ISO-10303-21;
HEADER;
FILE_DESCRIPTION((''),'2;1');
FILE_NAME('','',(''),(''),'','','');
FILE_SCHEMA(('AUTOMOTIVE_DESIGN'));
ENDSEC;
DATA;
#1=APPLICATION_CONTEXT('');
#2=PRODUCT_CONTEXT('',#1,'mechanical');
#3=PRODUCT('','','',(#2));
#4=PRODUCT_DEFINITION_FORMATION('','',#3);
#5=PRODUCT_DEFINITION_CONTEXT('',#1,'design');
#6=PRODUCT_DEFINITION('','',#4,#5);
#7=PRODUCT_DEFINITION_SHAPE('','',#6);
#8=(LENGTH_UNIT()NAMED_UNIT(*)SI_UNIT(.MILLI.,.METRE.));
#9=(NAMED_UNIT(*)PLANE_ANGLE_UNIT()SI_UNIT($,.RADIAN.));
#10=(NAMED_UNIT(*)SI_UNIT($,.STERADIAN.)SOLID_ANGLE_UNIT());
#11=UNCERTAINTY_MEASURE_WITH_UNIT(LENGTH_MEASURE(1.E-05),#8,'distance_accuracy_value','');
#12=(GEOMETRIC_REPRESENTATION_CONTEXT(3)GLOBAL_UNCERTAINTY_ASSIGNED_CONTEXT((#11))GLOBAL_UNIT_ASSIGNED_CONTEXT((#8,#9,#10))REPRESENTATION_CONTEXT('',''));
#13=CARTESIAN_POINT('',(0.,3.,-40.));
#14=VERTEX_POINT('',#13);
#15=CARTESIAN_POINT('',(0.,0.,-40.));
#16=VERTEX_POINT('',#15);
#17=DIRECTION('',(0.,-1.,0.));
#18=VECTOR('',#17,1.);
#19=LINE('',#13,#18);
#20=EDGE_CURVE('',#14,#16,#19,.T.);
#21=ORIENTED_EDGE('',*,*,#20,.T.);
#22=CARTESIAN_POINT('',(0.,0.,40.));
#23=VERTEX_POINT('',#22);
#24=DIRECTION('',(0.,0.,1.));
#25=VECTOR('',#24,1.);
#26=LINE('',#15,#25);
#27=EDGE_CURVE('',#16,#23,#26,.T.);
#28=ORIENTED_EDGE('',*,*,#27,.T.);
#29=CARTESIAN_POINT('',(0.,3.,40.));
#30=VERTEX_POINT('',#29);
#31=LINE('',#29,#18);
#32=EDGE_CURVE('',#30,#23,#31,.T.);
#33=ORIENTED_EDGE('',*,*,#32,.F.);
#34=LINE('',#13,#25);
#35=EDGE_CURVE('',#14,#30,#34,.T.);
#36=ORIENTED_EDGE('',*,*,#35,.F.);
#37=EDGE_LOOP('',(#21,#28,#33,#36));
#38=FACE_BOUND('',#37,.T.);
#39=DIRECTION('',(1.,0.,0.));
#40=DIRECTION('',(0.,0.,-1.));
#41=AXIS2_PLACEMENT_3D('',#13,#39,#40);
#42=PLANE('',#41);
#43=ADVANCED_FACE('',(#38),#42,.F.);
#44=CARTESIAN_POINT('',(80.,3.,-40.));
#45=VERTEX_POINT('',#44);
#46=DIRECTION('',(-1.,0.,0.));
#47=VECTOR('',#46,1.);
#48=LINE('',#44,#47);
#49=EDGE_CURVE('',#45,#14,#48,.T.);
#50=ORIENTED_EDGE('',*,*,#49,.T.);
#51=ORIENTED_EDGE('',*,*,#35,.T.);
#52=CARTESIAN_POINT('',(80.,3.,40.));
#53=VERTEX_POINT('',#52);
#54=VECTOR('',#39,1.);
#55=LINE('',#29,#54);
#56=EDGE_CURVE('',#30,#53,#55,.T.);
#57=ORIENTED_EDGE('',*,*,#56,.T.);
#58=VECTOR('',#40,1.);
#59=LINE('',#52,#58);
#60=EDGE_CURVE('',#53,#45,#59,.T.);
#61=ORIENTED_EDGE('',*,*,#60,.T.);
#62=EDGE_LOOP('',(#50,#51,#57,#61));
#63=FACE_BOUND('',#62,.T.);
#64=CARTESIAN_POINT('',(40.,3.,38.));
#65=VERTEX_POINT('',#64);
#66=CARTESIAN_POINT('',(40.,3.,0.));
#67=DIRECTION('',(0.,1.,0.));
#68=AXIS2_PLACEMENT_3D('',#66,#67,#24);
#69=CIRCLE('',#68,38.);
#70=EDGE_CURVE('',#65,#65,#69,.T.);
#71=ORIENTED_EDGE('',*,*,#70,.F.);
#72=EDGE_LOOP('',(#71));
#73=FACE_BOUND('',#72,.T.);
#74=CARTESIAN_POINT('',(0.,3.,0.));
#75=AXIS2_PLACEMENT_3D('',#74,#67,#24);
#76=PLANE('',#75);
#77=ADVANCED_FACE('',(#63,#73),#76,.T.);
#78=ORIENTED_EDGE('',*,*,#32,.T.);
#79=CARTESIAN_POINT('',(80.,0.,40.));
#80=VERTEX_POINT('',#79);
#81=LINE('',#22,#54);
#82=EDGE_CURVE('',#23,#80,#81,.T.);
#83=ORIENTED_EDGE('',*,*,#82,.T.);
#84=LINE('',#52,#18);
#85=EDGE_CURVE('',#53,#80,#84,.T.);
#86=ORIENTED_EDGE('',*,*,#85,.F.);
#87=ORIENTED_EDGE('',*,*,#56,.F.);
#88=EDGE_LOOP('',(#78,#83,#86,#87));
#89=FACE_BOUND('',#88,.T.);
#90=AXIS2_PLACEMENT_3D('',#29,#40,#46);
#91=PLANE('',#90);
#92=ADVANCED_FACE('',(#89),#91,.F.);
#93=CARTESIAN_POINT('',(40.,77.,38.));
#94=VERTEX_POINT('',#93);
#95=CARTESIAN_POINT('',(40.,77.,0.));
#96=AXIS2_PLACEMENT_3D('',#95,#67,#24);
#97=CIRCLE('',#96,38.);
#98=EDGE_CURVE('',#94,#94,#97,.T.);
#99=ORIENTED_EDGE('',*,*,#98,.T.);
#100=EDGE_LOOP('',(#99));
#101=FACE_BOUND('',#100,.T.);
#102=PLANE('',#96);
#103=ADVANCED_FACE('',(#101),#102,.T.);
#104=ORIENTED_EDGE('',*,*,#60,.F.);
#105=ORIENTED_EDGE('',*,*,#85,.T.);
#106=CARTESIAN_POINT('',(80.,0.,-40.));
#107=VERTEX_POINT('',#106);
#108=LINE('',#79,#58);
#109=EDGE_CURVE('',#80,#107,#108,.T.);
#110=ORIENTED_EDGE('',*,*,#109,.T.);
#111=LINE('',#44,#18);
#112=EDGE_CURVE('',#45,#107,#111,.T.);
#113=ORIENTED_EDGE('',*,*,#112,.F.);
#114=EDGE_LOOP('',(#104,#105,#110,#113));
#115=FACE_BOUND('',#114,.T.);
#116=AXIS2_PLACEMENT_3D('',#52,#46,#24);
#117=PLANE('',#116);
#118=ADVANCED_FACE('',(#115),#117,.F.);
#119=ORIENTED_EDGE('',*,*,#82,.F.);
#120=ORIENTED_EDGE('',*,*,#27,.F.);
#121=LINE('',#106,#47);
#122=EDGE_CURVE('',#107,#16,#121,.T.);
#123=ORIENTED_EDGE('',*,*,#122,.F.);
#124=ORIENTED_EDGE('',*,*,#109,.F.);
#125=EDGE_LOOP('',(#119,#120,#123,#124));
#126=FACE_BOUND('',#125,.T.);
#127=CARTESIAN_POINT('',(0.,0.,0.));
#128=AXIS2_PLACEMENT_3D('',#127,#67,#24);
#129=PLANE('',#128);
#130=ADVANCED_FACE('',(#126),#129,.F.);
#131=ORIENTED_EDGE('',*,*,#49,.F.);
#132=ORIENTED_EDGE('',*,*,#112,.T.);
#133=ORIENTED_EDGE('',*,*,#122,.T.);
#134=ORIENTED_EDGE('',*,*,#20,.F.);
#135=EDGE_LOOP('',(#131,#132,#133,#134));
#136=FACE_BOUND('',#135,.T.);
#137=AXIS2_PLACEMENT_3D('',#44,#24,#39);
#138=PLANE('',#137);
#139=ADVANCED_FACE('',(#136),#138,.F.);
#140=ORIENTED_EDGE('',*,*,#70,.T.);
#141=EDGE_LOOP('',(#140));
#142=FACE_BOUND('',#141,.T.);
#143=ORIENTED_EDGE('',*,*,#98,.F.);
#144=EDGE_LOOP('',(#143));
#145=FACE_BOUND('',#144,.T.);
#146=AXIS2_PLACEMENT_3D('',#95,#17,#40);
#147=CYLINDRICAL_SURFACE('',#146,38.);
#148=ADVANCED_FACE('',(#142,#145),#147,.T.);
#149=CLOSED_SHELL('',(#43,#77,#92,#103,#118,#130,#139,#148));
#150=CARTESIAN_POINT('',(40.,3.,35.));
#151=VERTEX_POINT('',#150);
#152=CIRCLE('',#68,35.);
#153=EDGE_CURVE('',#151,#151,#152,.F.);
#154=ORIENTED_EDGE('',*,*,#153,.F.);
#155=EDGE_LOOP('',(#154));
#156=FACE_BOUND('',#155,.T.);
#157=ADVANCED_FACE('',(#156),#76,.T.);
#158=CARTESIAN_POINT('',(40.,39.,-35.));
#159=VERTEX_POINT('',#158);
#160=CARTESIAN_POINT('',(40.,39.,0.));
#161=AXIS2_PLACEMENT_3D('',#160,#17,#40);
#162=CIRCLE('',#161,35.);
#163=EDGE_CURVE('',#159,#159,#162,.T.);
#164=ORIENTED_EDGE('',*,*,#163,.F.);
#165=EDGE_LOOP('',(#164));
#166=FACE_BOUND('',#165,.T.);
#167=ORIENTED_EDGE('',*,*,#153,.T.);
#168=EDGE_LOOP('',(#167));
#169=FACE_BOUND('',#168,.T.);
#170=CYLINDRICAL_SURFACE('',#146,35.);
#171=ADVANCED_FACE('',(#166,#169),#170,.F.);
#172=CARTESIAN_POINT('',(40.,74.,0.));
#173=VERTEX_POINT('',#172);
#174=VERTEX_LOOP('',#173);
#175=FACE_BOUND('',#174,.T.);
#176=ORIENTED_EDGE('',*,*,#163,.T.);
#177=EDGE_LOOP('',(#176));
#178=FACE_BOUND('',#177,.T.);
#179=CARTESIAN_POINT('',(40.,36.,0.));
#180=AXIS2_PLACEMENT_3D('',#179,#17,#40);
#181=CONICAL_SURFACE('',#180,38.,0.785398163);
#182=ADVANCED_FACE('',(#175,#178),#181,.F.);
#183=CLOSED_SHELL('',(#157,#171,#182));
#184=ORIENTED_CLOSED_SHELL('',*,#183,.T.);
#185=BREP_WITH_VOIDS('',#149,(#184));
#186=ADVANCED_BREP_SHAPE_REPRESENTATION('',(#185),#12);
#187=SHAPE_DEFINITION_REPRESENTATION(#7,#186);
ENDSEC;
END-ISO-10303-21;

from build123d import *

# Parameters (mm, degrees)
SKETCH1_W           = 80
SKETCH1_H           = 80
BOSS_EXTRUDE1_DEPTH = 3
SKETCH3_R           = 38
SKETCH3_R_2         = 35
EXTRUDE_THIN1_DEPTH = 74


with BuildPart() as part:
    # Sketch1 → Boss-Extrude1 (new body)
    with BuildSketch(Plane(origin=(0, 0, 0), x_dir=(1, 0, 0), z_dir=(0, 1, 0))):
        with Locations((40, 0)):
            Rectangle(SKETCH1_W, SKETCH1_H)
    extrude(amount=BOSS_EXTRUDE1_DEPTH)

    # Sketch3 → Extrude-Thin1 (add)
    with BuildSketch(Plane(origin=(0, 3, 0), x_dir=(1, 0, 0), z_dir=(0, 1, 0))):
        with Locations((40, 0)):
            Circle(SKETCH3_R)
        with Locations((40, 0)):
            Circle(SKETCH3_R_2, mode=Mode.SUBTRACT)
    extrude(amount=EXTRUDE_THIN1_DEPTH)

    # Sketch7 → Revolve5 (revolve)
    with BuildSketch(Plane.XY):
        Polygon((40, 77), (2, 77), (2, 36), (40, 74), align=None)
    revolve(axis=Axis((40, 77, 0), (0, -1, 0)))


solid = part.part
